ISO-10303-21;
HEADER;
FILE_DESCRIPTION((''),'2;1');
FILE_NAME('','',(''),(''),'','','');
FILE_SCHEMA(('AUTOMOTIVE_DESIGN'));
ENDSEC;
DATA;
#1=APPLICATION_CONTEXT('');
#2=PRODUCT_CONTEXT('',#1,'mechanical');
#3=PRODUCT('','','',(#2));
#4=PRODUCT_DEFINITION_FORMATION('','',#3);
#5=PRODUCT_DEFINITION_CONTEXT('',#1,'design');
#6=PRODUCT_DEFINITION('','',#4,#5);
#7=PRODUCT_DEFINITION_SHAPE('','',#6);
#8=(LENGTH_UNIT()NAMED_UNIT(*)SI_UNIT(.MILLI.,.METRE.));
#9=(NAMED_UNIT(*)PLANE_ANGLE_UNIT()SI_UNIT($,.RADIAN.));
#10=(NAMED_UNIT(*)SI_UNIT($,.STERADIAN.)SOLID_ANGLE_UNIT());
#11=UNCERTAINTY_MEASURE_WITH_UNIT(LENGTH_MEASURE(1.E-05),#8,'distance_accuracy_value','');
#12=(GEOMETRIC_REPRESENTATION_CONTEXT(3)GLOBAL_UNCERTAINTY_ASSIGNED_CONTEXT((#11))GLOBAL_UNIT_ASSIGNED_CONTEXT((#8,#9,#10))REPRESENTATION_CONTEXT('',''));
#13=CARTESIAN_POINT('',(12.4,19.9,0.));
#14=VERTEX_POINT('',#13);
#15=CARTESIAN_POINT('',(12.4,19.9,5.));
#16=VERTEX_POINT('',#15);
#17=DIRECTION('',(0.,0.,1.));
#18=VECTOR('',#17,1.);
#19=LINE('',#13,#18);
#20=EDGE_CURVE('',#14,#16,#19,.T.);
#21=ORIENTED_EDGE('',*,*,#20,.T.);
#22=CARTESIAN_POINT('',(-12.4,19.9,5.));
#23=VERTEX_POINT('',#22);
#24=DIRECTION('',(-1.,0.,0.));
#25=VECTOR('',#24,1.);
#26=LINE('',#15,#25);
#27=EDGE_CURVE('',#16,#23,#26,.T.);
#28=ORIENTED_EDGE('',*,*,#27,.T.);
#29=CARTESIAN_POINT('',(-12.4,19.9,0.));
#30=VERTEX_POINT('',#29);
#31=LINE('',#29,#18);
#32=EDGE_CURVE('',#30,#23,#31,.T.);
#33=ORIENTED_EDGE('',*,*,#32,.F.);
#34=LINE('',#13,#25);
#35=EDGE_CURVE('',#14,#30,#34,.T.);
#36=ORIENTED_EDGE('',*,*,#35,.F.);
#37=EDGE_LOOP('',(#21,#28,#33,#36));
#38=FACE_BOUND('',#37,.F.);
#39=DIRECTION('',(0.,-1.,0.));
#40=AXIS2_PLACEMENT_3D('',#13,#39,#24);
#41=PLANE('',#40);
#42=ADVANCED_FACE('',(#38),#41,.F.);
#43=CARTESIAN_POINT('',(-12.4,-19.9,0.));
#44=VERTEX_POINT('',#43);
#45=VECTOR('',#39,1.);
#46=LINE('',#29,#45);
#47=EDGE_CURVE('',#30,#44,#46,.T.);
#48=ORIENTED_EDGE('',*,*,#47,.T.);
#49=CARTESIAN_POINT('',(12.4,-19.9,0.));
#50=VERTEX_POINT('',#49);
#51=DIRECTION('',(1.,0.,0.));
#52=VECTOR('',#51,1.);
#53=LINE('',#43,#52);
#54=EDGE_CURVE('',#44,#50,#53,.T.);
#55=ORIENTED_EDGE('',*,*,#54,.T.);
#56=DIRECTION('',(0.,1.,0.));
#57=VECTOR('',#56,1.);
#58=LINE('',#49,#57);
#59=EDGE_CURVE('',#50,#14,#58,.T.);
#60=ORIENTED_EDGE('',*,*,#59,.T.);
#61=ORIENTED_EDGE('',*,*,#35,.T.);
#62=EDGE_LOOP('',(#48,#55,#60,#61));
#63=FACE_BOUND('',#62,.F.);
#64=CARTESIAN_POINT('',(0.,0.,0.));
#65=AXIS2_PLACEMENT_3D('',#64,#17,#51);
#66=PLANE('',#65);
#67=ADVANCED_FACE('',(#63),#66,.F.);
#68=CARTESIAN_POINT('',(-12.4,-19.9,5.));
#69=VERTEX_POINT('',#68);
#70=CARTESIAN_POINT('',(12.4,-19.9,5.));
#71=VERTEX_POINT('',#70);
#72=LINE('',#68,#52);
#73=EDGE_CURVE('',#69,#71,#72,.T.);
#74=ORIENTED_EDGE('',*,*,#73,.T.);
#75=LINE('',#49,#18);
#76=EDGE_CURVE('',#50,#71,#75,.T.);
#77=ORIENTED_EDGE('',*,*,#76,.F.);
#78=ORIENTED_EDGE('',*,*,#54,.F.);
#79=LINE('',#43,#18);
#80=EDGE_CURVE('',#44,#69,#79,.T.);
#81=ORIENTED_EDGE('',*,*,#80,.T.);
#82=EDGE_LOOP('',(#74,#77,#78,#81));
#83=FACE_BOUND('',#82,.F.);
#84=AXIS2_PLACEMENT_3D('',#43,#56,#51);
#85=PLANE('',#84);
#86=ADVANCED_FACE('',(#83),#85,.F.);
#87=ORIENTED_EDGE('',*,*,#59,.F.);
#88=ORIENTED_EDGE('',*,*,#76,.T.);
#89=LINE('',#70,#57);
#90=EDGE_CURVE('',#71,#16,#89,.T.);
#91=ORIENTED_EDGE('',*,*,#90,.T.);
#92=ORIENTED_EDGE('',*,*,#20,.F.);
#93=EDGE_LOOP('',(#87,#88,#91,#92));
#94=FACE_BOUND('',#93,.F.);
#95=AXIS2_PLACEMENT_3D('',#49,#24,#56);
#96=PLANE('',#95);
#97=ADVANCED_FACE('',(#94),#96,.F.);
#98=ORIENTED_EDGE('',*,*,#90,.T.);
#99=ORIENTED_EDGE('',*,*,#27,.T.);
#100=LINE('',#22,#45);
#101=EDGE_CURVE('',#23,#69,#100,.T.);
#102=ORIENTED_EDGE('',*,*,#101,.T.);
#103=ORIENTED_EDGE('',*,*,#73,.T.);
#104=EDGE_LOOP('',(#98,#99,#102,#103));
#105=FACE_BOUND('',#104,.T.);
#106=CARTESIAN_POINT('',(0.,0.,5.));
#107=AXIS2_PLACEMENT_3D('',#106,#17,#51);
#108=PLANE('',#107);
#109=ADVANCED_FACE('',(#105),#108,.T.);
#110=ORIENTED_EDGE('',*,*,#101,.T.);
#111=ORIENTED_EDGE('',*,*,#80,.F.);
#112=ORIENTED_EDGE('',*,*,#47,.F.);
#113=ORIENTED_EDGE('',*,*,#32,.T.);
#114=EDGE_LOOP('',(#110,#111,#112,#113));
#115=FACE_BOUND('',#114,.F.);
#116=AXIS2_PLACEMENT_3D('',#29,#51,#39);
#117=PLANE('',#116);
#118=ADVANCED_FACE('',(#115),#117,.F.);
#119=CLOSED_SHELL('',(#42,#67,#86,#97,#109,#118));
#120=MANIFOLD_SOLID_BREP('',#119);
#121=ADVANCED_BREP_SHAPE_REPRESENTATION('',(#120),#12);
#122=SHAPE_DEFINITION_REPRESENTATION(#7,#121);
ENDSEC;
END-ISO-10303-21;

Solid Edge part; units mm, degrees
sketch "Sketch1" plane through (0, 0, 0) normal (0, 0, 1) x (1, 0, 0)
  line L0 (-12.4, -19.9) -> (12.4, -19.9)
  line L1 (12.4, -19.9) -> (12.4, 19.9)
  line L2 (12.4, 19.9) -> (-12.4, 19.9)
  line L3 (-12.4, 19.9) -> (-12.4, -19.9)
  dimension "D1" = 24.8
  dimension "D2" = 39.8
extrude "Protrusion1" add sketch "Sketch1" along normal blind 5
